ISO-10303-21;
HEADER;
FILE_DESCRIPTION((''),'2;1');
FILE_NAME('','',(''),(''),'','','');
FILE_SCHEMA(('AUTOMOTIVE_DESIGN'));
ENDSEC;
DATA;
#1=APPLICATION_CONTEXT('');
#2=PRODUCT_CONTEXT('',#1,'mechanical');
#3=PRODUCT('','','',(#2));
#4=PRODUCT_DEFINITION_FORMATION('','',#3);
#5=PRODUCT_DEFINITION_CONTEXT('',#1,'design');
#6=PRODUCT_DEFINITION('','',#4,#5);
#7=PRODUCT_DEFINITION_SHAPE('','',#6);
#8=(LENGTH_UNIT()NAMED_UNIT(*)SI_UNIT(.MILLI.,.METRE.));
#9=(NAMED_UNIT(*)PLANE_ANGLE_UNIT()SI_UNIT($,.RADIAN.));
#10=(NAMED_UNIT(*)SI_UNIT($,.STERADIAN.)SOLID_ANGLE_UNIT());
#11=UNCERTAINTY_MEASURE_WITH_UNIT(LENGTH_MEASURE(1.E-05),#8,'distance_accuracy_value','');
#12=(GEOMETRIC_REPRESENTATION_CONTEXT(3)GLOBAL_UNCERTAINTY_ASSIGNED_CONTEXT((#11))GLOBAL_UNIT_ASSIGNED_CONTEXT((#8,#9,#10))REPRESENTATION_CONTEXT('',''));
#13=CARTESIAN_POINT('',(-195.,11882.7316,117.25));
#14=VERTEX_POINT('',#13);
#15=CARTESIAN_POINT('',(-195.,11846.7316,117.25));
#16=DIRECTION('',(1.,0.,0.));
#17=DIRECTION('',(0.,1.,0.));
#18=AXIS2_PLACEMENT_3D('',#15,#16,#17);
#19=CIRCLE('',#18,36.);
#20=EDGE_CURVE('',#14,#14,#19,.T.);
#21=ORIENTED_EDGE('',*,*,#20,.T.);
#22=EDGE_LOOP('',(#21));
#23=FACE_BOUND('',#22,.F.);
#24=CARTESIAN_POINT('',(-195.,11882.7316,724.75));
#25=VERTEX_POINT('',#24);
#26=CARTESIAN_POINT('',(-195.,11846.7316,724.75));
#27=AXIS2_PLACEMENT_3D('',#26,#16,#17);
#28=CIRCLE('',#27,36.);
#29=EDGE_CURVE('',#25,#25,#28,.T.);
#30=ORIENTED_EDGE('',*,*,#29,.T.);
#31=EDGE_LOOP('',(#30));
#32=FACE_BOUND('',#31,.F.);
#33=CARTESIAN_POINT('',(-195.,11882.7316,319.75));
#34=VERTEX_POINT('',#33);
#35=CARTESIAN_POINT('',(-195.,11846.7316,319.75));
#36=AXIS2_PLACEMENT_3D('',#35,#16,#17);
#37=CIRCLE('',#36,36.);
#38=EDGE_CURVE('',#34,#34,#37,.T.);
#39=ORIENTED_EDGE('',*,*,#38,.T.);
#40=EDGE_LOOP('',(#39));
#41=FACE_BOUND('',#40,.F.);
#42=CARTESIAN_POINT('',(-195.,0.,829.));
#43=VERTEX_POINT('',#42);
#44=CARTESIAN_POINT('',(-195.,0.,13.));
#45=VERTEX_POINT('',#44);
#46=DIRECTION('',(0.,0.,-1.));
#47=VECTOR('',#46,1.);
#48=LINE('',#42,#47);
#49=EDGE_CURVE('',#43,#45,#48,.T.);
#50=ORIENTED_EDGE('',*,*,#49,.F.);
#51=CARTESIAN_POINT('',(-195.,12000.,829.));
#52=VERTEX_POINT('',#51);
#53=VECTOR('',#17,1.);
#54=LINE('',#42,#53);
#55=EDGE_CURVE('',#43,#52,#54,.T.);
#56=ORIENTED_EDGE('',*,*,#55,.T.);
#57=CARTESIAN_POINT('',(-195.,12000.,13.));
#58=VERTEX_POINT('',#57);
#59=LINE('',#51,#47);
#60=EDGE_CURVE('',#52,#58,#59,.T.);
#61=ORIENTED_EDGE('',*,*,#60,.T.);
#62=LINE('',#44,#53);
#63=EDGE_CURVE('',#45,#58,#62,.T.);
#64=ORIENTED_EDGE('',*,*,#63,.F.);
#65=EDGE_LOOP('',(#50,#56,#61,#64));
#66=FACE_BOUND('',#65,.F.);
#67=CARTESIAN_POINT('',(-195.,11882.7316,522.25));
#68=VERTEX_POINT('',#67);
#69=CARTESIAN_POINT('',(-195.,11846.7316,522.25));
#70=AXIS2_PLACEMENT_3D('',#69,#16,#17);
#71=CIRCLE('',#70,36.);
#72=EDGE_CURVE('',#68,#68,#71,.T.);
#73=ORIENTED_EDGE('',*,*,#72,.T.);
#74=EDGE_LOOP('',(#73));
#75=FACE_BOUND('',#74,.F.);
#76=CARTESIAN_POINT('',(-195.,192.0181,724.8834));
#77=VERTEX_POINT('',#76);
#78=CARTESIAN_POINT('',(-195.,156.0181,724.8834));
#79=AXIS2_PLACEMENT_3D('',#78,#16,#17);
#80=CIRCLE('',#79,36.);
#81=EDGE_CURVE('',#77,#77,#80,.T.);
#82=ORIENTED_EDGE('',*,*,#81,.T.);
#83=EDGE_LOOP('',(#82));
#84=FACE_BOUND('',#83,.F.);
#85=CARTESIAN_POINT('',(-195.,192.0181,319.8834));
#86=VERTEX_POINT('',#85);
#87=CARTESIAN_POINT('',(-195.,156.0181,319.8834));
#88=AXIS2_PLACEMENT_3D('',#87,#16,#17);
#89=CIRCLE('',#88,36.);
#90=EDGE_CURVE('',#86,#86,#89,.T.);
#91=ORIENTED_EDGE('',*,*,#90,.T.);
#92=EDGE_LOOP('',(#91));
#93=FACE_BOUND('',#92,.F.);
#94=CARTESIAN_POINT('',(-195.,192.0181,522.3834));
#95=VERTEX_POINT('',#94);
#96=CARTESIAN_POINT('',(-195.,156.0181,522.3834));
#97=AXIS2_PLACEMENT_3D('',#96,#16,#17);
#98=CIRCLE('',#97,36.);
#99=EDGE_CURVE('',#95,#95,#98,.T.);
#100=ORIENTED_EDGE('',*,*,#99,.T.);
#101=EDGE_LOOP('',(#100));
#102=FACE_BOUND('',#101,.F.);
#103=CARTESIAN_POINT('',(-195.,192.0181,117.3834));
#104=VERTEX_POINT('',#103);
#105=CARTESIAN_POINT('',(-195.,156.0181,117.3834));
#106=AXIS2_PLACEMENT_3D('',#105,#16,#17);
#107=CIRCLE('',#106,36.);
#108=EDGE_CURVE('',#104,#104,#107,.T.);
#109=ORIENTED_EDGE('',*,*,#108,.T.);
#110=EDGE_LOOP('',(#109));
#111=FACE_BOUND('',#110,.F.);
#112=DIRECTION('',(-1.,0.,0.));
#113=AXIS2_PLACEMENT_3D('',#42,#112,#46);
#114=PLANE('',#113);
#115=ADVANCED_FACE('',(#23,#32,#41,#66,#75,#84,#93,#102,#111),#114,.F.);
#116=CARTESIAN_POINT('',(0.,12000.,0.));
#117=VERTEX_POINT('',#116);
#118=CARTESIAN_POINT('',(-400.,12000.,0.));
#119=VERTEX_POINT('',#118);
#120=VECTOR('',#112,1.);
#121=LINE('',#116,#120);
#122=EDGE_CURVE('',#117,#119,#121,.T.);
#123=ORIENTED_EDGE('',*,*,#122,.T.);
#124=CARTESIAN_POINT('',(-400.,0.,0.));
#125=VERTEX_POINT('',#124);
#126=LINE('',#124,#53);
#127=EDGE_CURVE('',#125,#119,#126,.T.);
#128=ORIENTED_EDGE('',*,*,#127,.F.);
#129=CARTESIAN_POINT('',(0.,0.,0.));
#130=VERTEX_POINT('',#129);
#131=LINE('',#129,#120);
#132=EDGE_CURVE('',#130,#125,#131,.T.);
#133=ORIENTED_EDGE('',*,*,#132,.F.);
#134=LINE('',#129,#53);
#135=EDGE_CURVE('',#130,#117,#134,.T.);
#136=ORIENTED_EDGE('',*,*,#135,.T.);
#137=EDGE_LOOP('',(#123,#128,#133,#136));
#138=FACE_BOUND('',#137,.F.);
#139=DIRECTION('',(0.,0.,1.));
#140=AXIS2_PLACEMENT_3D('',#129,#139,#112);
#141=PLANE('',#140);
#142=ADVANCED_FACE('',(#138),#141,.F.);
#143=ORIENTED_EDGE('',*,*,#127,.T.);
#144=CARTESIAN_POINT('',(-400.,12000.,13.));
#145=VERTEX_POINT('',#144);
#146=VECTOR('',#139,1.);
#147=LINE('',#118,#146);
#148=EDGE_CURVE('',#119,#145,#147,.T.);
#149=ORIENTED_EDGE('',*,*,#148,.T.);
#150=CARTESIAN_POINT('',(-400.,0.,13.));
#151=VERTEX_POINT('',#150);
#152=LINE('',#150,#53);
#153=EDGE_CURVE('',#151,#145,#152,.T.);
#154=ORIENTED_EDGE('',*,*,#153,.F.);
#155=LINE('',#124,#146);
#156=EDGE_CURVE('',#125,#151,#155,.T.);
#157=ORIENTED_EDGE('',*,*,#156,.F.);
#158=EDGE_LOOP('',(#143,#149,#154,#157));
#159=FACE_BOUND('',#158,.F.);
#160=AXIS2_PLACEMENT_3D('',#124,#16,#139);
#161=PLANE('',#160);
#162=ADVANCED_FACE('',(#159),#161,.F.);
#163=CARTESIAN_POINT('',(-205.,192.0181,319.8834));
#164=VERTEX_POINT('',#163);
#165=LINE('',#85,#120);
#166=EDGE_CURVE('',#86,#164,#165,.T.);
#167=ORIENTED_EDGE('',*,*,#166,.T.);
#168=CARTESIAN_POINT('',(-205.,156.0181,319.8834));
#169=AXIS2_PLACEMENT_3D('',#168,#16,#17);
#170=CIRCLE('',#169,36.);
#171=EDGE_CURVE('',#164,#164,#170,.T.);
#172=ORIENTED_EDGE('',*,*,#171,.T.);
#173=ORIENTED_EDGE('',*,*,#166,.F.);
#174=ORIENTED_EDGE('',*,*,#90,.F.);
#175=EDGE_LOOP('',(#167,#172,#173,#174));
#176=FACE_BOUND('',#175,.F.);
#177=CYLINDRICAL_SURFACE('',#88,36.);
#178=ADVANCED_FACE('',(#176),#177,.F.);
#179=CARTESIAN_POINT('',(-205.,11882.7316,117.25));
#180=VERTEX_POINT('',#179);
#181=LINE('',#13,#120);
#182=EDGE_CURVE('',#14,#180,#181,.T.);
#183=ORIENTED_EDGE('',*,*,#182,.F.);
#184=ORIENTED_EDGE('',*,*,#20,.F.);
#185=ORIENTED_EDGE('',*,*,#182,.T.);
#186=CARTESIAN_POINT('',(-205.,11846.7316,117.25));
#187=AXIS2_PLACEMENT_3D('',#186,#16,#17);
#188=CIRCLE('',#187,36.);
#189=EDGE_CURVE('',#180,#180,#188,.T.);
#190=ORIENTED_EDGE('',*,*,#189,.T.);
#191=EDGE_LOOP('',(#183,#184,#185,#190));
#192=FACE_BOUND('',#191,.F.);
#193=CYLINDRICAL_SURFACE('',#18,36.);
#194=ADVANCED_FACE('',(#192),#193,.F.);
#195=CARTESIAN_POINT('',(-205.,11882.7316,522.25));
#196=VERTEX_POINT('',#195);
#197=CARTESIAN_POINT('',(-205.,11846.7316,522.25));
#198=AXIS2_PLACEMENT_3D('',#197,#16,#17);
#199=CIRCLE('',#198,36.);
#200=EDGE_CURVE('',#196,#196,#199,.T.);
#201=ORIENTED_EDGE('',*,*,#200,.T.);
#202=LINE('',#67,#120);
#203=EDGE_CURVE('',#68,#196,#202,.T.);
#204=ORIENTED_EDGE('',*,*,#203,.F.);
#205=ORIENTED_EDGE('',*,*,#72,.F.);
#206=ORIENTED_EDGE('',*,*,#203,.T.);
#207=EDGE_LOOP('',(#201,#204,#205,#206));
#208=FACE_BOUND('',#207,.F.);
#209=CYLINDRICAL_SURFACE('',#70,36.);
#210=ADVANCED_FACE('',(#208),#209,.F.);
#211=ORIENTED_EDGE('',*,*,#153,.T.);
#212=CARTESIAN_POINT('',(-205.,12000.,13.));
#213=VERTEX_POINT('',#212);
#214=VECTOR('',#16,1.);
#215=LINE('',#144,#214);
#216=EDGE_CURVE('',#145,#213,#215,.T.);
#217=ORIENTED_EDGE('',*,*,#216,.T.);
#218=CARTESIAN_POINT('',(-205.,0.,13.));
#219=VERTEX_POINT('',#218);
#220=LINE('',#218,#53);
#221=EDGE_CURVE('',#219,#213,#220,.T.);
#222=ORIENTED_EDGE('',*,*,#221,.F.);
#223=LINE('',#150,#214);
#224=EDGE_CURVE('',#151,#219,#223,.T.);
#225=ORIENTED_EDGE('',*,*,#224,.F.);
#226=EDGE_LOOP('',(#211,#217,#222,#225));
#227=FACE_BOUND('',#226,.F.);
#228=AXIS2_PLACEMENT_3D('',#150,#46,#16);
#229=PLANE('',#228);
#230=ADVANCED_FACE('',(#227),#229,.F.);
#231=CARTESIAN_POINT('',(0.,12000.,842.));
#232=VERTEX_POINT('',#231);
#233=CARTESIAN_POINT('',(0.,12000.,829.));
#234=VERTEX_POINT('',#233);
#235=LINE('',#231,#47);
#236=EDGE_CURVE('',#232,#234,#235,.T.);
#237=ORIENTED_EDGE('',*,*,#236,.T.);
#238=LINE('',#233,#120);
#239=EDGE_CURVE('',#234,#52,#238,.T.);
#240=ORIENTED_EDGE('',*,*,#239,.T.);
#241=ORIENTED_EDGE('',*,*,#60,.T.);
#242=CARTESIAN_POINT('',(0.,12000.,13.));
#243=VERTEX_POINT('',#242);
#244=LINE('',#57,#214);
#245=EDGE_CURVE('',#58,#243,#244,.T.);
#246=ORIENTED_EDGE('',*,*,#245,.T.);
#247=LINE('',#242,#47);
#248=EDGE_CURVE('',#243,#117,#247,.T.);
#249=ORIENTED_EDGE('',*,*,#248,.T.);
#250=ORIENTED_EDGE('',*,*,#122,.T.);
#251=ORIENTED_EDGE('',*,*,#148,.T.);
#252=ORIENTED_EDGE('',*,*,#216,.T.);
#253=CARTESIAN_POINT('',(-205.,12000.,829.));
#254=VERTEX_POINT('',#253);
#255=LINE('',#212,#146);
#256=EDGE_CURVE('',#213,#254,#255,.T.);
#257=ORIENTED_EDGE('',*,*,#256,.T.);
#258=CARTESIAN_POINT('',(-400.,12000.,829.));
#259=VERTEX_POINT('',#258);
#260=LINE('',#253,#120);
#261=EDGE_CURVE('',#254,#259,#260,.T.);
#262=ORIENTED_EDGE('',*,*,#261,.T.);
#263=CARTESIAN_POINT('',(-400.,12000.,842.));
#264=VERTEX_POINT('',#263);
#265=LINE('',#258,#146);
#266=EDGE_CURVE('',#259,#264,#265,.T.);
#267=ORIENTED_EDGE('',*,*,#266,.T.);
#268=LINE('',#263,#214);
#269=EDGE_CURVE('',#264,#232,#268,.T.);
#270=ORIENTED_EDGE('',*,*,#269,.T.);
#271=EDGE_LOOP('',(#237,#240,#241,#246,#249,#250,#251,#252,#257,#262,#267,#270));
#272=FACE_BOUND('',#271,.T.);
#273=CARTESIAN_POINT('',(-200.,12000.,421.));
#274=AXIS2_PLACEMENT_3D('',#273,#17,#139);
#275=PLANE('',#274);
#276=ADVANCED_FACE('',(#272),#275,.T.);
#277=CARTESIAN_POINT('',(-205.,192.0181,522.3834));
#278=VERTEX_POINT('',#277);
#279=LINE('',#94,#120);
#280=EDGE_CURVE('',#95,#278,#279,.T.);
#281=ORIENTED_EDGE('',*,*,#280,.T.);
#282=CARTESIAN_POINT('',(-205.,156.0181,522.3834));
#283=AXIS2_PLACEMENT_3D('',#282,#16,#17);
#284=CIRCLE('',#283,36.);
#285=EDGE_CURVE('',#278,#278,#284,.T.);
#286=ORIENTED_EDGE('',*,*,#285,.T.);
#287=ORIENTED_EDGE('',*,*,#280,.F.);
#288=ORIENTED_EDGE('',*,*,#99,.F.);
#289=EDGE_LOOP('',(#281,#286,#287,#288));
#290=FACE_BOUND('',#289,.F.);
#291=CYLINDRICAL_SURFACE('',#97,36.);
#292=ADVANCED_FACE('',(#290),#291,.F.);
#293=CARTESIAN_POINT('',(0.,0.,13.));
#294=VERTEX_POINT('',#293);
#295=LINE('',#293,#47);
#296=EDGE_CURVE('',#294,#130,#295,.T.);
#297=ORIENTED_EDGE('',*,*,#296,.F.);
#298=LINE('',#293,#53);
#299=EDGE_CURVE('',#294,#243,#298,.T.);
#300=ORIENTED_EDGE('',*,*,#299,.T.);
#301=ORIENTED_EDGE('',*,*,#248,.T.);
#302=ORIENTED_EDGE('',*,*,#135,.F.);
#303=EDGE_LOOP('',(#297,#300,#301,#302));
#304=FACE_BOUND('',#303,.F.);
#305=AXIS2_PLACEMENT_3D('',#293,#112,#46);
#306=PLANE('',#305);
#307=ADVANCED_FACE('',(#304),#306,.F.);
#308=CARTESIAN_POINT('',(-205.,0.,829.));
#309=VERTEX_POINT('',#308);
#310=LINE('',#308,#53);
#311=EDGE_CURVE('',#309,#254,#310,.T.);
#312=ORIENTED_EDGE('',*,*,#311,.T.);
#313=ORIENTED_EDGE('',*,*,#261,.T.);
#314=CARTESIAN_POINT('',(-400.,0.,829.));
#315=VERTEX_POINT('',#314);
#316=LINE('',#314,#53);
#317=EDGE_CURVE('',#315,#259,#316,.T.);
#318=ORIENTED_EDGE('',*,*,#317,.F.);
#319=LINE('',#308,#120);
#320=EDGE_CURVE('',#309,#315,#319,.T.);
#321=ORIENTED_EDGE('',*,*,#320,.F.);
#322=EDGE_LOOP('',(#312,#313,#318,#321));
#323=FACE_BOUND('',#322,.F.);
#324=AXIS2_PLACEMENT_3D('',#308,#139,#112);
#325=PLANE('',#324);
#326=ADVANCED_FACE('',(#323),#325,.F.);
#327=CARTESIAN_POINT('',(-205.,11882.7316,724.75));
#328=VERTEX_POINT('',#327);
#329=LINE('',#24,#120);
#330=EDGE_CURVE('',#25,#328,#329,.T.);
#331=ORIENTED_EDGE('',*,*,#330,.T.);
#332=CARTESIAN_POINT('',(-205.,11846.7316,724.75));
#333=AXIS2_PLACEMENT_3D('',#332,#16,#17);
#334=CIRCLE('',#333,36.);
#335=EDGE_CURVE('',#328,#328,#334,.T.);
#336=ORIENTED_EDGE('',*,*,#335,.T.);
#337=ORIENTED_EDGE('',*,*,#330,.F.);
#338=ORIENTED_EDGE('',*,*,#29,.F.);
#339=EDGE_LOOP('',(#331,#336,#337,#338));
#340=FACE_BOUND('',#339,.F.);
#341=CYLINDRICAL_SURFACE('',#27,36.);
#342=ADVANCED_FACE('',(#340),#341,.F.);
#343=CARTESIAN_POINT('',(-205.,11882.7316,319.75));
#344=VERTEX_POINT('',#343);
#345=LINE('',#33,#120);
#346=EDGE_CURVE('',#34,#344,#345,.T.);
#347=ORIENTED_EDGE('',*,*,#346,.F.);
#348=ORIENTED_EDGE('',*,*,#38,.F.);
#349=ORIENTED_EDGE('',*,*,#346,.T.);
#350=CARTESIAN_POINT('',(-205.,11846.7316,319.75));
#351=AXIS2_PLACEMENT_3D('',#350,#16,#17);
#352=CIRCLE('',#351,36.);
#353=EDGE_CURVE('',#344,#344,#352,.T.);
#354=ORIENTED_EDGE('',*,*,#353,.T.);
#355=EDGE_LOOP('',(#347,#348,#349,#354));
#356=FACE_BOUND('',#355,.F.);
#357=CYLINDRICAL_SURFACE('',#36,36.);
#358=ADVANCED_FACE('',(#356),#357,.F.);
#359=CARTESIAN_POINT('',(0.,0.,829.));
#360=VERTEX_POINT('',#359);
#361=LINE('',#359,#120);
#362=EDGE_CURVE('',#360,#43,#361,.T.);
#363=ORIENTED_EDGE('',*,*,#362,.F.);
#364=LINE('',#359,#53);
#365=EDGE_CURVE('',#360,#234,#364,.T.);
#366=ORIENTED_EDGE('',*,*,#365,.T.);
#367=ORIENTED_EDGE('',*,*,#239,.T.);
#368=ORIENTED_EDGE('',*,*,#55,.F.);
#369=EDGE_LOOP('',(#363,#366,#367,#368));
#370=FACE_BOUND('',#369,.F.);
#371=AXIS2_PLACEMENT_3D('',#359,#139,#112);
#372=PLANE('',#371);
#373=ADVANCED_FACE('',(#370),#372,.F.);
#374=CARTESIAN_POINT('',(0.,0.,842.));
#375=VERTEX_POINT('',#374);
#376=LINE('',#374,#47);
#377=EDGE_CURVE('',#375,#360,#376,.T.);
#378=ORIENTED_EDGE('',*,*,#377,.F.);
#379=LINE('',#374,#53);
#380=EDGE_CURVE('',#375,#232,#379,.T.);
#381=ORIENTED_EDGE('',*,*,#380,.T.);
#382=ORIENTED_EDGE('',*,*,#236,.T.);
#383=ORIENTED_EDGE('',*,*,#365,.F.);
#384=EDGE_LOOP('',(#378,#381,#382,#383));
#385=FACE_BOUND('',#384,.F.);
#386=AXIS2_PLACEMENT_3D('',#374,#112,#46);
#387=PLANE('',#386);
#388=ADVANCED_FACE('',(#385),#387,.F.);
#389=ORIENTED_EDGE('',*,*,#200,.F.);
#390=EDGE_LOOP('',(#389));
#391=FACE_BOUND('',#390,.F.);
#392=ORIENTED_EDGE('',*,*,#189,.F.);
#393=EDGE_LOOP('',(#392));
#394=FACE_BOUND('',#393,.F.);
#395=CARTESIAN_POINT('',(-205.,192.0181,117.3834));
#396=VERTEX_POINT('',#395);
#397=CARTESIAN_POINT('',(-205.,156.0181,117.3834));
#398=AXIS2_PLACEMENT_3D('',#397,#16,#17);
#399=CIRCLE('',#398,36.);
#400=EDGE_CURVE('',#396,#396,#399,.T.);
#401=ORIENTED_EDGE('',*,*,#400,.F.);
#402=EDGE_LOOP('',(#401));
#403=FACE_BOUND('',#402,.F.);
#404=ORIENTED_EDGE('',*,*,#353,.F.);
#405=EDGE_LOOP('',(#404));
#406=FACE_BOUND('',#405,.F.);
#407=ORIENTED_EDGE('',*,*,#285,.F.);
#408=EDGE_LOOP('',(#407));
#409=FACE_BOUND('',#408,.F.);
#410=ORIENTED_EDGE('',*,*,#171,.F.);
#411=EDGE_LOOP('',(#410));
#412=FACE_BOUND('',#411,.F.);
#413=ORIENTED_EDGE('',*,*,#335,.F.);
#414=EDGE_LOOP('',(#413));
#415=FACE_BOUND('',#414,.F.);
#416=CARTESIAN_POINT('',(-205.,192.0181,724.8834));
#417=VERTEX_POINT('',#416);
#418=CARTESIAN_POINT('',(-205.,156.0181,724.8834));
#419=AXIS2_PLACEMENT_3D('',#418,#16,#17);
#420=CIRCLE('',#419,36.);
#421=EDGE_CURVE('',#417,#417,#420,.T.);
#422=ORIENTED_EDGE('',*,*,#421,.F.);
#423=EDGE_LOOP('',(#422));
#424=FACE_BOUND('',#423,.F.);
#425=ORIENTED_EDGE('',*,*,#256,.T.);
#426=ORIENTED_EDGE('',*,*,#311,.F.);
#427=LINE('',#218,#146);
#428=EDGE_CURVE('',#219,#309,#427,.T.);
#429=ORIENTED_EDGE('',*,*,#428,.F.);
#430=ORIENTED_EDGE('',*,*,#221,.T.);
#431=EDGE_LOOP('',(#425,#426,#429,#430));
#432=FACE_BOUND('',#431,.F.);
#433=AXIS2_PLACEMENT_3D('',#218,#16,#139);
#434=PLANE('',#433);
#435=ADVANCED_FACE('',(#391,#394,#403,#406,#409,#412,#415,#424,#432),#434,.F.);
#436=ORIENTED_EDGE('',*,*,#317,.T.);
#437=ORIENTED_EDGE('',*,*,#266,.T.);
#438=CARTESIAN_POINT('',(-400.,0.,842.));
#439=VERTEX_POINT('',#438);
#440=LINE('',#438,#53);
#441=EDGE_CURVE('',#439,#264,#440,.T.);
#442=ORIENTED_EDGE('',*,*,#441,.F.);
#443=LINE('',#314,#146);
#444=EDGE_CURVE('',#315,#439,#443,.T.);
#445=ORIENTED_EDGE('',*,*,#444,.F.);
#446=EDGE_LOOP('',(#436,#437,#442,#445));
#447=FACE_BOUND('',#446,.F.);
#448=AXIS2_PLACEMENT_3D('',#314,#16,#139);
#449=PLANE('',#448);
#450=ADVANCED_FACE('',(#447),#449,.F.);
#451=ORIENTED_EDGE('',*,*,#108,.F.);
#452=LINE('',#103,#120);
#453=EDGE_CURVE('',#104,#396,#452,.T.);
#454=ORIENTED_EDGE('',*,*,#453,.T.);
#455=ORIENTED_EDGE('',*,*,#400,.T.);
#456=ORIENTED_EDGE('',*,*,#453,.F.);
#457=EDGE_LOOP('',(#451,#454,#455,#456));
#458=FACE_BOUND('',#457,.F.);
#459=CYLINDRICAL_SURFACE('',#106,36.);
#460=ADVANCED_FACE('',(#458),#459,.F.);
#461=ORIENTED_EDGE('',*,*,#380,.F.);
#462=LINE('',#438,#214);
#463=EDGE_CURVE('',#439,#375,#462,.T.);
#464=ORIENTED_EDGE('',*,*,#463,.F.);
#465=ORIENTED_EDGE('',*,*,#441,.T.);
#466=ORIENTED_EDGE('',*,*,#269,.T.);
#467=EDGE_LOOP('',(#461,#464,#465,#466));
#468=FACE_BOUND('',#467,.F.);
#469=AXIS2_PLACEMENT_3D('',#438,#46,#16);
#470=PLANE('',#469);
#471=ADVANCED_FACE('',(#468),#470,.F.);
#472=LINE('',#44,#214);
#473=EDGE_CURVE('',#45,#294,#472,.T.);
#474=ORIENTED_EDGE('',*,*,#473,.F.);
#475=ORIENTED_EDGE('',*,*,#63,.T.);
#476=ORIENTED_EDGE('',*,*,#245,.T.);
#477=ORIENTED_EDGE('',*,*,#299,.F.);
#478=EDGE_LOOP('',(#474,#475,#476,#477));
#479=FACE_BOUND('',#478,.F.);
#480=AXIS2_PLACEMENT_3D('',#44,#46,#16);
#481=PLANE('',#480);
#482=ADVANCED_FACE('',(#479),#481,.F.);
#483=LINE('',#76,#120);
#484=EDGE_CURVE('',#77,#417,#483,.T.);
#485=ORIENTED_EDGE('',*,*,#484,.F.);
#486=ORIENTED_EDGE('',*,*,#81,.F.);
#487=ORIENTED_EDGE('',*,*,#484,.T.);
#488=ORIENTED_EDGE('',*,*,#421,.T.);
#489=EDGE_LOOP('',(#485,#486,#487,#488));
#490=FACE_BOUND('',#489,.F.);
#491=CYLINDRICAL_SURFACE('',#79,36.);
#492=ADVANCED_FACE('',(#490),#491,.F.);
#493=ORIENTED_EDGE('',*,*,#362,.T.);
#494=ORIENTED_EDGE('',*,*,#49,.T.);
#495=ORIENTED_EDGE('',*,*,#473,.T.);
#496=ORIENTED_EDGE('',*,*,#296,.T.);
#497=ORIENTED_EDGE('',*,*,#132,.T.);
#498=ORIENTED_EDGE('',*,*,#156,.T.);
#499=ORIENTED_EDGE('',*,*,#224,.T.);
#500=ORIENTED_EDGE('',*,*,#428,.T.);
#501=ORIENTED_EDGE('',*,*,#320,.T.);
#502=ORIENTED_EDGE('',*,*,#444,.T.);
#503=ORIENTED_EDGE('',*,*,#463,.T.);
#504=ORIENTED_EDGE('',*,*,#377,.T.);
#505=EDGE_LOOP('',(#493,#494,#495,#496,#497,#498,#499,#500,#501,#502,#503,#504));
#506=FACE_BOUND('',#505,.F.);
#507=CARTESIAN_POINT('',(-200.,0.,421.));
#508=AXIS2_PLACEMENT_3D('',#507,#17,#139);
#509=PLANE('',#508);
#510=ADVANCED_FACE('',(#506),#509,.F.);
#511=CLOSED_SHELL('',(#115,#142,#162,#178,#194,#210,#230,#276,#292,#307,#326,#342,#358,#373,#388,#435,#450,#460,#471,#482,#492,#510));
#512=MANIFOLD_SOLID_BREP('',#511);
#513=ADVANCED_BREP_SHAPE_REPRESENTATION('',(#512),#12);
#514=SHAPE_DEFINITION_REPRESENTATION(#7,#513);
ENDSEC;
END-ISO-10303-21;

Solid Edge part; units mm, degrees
sketch "Sketch1" plane through (0, 0, 0) normal (0, -1, 0) x (1, 0, 0)
  line L0 (-195, 829) -> (-195, 13)
  line L1 (-195, 13) -> (0, 13)
  line L2 (0, 13) -> (0, 0)
  line L3 (0, 0) -> (-400, 0)
  line L4 (-400, 0) -> (-400, 13)
  line L5 (-400, 13) -> (-205, 13)
  line L6 (-205, 13) -> (-205, 829)
  line L7 (-205, 829) -> (-400, 829)
  line L8 (-400, 829) -> (-400, 842)
  line L9 (-400, 842) -> (0, 842)
  line L10 (0, 842) -> (0, 829)
  line L11 (0, 829) -> (-195, 829)
extrude "Protrusion1" add sketch "Sketch1" against normal blind 12000
sketch "Sketch2" plane through (-195, 6000, 421) normal (1, 0, 0) x (0, 1, 0)
  circle A0 centre (-5843.9819, 303.8834) radius 36
  circle A1 centre (-5843.9819, 101.3834) radius 36
  circle A2 centre (-5843.9819, -101.1166) radius 36
  circle A3 centre (-5843.9819, -303.6166) radius 36
  dimension "D1" = 101.25
  dimension "D2" = 101.25
extrude "VaciadoExtruido_2" cut sketch "Sketch2" against normal blind 10.1556
sketch "Sketch3" plane through (-195, 6000, 421) normal (1, 0, 0) x (0, 1, 0)
  circle A0 centre (5846.7316, 303.75) radius 36
  circle A1 centre (5846.7316, 101.25) radius 36
  circle A2 centre (5846.7316, -101.25) radius 36
  circle A3 centre (5846.7316, -303.75) radius 36
  dimension "D1" = 101.25
  dimension "D2" = 101.25
extrude "VaciadoExtruido_3" cut sketch "Sketch3" against normal blind 11.2673
